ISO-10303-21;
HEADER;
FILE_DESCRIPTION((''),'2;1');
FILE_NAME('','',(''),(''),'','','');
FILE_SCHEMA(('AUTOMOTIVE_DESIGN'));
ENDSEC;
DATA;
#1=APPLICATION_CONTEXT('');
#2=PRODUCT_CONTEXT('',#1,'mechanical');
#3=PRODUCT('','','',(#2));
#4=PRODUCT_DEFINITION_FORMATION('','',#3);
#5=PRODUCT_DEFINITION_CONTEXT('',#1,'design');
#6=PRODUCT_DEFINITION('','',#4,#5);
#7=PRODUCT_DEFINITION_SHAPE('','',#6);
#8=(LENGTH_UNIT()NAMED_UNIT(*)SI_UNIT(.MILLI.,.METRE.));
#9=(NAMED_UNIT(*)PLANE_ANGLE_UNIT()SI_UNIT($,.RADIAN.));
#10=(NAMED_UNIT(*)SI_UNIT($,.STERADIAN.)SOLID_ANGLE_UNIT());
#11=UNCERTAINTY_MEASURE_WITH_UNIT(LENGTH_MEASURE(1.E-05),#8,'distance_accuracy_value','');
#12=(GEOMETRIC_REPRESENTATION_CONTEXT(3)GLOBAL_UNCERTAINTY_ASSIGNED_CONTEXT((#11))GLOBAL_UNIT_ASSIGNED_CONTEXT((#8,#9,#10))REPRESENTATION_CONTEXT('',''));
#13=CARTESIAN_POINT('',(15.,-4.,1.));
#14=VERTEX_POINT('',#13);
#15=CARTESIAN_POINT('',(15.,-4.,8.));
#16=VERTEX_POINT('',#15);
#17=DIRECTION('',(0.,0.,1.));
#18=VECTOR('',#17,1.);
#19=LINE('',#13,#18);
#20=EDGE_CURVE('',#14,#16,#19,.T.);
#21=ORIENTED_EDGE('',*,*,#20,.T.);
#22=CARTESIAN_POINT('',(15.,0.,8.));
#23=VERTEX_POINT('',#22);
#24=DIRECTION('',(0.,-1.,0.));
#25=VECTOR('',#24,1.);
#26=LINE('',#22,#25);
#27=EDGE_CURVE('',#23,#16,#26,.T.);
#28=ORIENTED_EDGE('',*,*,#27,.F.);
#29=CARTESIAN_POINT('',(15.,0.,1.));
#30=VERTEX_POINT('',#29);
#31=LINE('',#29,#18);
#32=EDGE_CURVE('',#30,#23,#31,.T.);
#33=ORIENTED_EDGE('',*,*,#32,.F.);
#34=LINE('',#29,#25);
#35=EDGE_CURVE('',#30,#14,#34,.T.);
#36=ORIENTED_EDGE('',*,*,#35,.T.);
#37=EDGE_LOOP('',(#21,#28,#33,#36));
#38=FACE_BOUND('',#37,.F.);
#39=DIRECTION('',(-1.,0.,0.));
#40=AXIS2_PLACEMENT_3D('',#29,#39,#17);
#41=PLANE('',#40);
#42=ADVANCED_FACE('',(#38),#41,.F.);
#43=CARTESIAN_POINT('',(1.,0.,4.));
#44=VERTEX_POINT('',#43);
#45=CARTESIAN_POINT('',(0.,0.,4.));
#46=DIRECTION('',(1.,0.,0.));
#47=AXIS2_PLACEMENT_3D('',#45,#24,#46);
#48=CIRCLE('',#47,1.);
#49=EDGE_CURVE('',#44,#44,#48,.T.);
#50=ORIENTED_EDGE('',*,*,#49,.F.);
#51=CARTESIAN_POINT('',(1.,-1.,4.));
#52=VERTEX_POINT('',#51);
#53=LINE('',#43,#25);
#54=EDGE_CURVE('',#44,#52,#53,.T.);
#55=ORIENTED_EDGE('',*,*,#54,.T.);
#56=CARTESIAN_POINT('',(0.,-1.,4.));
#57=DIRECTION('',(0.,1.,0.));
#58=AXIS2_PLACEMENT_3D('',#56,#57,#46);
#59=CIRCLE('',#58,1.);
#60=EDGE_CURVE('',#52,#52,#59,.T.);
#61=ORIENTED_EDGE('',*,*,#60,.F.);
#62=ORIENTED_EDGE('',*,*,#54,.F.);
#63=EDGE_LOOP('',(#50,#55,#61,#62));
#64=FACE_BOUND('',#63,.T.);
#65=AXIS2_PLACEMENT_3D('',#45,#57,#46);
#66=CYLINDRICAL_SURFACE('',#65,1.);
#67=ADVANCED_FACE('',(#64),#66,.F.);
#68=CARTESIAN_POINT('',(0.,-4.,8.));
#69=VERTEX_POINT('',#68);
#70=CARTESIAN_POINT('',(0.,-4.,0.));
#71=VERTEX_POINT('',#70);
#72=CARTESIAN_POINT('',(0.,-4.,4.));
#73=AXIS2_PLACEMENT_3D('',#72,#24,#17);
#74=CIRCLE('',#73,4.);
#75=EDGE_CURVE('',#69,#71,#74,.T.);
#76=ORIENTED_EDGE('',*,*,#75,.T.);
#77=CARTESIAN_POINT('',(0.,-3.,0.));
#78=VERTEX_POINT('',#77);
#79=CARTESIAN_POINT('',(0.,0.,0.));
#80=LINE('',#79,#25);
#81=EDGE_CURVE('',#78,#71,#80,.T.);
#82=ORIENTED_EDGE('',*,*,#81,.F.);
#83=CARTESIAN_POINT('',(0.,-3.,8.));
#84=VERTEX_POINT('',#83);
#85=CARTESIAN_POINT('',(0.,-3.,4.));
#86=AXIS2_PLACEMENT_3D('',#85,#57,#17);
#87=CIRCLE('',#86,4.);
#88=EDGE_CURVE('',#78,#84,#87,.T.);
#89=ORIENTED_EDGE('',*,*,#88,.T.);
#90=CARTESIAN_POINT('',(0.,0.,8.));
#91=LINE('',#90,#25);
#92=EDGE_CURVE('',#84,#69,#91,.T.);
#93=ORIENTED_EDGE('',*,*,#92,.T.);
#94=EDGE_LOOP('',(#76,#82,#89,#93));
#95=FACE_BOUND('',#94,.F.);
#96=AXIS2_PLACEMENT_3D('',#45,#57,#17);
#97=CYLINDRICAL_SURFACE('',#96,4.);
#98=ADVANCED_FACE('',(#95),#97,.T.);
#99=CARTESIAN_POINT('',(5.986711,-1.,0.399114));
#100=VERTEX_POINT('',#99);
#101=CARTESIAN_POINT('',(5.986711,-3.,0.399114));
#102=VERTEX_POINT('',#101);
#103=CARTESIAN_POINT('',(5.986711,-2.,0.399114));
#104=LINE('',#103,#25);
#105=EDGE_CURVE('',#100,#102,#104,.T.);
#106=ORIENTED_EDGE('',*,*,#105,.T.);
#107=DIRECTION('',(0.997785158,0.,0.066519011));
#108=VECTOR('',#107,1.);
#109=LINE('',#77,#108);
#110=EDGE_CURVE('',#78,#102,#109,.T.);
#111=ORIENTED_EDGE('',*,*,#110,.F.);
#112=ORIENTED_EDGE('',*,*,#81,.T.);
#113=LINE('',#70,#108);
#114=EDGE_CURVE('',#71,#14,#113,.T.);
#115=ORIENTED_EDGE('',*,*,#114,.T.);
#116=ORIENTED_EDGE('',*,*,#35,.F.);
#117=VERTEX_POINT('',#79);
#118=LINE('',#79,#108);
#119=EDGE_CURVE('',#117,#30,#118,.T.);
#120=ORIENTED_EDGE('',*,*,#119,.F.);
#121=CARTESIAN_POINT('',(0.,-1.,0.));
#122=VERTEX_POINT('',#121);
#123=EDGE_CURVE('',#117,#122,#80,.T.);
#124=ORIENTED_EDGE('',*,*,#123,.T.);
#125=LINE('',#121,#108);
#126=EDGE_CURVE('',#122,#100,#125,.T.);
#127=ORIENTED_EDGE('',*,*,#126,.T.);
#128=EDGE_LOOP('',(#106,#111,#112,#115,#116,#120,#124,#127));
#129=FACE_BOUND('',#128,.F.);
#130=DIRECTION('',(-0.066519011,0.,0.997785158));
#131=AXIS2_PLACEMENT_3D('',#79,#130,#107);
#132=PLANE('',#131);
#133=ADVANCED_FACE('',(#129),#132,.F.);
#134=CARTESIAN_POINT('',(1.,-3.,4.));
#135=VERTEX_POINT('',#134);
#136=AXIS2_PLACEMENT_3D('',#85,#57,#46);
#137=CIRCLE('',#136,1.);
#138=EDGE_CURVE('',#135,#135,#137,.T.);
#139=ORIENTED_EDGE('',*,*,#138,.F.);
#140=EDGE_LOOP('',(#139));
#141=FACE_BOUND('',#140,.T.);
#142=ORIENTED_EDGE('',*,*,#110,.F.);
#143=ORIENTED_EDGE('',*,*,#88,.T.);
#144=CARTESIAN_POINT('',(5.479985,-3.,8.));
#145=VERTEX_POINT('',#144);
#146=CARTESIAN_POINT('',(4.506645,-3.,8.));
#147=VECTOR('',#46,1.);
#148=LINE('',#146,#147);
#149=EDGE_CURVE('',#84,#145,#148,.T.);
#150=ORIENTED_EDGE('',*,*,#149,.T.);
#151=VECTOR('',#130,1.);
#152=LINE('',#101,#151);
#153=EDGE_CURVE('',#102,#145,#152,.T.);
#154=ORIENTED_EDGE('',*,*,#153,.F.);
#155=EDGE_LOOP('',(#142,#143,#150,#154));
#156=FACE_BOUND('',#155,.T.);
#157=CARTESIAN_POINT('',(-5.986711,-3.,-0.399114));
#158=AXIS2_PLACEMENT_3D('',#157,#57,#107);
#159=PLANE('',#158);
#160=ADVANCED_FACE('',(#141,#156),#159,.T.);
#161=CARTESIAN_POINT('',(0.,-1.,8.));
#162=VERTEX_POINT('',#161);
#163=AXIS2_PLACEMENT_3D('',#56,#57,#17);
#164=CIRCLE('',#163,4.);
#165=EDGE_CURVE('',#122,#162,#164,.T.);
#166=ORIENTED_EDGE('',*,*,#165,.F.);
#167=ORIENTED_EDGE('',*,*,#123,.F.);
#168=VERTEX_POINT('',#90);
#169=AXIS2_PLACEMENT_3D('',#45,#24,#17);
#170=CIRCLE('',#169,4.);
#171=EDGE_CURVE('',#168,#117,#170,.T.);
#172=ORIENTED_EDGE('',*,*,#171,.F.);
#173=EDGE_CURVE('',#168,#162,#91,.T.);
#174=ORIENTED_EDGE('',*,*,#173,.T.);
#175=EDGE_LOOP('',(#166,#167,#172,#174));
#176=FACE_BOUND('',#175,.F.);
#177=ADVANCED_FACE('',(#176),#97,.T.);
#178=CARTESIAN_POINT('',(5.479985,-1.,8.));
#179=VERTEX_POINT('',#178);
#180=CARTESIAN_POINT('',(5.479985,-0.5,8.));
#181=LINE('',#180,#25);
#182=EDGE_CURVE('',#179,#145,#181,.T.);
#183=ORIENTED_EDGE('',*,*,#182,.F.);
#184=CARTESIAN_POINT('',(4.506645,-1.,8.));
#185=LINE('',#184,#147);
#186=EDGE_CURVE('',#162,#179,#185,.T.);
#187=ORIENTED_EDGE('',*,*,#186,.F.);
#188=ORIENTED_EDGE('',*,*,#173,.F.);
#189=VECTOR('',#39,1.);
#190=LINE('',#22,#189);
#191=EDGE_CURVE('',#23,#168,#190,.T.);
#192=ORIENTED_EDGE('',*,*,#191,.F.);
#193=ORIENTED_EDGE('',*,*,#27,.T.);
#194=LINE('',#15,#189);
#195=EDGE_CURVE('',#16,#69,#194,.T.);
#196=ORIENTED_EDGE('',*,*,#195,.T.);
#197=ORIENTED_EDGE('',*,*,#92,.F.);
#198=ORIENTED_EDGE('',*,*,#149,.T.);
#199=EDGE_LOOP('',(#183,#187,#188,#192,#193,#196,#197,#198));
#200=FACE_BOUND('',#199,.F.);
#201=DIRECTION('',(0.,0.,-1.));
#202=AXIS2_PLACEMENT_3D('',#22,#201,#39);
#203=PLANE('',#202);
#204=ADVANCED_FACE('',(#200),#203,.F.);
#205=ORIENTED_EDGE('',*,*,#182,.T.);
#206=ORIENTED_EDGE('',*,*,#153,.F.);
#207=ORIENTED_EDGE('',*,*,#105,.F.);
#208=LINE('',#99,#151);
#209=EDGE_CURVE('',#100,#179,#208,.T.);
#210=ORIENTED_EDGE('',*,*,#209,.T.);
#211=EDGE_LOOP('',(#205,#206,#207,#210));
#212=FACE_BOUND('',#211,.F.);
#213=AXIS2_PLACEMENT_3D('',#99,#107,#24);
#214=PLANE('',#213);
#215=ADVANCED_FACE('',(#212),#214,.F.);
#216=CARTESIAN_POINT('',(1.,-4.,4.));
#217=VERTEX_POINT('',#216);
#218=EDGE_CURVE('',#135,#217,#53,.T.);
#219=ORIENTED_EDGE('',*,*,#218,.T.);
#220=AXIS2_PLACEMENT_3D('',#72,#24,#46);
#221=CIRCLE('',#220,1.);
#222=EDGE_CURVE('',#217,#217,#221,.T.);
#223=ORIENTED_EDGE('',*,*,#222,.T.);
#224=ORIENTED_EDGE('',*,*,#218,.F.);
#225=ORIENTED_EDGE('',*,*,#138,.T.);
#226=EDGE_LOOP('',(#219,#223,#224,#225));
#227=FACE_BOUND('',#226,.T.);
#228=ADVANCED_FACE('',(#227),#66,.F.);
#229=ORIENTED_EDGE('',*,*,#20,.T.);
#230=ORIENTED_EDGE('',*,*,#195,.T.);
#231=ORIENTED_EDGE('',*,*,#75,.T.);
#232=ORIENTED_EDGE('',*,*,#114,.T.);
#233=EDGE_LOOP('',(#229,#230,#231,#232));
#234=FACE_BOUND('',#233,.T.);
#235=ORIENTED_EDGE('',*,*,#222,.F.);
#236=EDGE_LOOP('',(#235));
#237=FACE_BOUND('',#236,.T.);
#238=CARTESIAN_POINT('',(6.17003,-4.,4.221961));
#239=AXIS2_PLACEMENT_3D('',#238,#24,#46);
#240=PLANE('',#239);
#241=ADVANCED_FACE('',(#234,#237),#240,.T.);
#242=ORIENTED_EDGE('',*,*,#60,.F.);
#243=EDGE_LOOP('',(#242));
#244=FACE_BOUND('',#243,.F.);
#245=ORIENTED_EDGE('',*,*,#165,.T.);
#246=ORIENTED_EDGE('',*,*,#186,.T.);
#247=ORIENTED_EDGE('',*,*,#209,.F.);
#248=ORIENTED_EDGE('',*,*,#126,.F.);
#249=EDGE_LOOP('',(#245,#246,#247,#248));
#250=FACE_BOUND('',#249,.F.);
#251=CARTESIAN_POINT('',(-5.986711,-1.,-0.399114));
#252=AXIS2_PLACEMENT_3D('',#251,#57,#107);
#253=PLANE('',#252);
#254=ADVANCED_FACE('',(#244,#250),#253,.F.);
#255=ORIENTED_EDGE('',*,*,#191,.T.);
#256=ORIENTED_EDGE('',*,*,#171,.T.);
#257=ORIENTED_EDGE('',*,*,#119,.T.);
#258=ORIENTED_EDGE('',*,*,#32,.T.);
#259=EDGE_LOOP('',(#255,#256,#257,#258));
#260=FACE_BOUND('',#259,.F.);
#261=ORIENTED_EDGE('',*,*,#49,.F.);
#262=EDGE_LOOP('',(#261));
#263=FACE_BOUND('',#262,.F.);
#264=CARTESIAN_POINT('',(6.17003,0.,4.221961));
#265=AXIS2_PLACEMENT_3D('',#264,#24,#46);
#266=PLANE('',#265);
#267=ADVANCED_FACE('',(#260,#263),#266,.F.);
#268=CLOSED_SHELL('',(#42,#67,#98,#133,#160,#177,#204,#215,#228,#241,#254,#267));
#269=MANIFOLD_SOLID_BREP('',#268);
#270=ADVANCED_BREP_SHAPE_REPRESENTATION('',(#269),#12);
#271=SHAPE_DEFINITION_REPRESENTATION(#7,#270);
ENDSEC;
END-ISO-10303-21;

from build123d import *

# Parameters (mm, degrees)
F0_R     = 1
F1_DEPTH = 4
F2_W     = 12
F2_H     = 2
F3_DEPTH = 8.249357


with BuildPart() as f1:
    # F0 (on Front) → F1 (new body)
    with BuildSketch(Plane.XZ):
        with BuildLine():
            Line((15, 8), (0, 8))
            ThreePointArc((0, 8), (-4, 4), (0, 0))
            Line((0, 0), (15, 1))
            Line((15, 1), (15, 8))
        make_face()
        with Locations((0, 4)):
            Circle(F0_R, mode=Mode.SUBTRACT)
    extrude(amount=F1_DEPTH)

    # F2 (on face) → F3 (cut, through all)
    with BuildSketch(Plane(origin=(0, 0, 0), x_dir=(0.997785, 0, 0.066519), z_dir=(0.066519, 0, -0.997785))):
        with Locations((0, 2)):
            Rectangle(F2_W, F2_H)
    extrude(amount=-F3_DEPTH, mode=Mode.SUBTRACT)


solid = f1.part
